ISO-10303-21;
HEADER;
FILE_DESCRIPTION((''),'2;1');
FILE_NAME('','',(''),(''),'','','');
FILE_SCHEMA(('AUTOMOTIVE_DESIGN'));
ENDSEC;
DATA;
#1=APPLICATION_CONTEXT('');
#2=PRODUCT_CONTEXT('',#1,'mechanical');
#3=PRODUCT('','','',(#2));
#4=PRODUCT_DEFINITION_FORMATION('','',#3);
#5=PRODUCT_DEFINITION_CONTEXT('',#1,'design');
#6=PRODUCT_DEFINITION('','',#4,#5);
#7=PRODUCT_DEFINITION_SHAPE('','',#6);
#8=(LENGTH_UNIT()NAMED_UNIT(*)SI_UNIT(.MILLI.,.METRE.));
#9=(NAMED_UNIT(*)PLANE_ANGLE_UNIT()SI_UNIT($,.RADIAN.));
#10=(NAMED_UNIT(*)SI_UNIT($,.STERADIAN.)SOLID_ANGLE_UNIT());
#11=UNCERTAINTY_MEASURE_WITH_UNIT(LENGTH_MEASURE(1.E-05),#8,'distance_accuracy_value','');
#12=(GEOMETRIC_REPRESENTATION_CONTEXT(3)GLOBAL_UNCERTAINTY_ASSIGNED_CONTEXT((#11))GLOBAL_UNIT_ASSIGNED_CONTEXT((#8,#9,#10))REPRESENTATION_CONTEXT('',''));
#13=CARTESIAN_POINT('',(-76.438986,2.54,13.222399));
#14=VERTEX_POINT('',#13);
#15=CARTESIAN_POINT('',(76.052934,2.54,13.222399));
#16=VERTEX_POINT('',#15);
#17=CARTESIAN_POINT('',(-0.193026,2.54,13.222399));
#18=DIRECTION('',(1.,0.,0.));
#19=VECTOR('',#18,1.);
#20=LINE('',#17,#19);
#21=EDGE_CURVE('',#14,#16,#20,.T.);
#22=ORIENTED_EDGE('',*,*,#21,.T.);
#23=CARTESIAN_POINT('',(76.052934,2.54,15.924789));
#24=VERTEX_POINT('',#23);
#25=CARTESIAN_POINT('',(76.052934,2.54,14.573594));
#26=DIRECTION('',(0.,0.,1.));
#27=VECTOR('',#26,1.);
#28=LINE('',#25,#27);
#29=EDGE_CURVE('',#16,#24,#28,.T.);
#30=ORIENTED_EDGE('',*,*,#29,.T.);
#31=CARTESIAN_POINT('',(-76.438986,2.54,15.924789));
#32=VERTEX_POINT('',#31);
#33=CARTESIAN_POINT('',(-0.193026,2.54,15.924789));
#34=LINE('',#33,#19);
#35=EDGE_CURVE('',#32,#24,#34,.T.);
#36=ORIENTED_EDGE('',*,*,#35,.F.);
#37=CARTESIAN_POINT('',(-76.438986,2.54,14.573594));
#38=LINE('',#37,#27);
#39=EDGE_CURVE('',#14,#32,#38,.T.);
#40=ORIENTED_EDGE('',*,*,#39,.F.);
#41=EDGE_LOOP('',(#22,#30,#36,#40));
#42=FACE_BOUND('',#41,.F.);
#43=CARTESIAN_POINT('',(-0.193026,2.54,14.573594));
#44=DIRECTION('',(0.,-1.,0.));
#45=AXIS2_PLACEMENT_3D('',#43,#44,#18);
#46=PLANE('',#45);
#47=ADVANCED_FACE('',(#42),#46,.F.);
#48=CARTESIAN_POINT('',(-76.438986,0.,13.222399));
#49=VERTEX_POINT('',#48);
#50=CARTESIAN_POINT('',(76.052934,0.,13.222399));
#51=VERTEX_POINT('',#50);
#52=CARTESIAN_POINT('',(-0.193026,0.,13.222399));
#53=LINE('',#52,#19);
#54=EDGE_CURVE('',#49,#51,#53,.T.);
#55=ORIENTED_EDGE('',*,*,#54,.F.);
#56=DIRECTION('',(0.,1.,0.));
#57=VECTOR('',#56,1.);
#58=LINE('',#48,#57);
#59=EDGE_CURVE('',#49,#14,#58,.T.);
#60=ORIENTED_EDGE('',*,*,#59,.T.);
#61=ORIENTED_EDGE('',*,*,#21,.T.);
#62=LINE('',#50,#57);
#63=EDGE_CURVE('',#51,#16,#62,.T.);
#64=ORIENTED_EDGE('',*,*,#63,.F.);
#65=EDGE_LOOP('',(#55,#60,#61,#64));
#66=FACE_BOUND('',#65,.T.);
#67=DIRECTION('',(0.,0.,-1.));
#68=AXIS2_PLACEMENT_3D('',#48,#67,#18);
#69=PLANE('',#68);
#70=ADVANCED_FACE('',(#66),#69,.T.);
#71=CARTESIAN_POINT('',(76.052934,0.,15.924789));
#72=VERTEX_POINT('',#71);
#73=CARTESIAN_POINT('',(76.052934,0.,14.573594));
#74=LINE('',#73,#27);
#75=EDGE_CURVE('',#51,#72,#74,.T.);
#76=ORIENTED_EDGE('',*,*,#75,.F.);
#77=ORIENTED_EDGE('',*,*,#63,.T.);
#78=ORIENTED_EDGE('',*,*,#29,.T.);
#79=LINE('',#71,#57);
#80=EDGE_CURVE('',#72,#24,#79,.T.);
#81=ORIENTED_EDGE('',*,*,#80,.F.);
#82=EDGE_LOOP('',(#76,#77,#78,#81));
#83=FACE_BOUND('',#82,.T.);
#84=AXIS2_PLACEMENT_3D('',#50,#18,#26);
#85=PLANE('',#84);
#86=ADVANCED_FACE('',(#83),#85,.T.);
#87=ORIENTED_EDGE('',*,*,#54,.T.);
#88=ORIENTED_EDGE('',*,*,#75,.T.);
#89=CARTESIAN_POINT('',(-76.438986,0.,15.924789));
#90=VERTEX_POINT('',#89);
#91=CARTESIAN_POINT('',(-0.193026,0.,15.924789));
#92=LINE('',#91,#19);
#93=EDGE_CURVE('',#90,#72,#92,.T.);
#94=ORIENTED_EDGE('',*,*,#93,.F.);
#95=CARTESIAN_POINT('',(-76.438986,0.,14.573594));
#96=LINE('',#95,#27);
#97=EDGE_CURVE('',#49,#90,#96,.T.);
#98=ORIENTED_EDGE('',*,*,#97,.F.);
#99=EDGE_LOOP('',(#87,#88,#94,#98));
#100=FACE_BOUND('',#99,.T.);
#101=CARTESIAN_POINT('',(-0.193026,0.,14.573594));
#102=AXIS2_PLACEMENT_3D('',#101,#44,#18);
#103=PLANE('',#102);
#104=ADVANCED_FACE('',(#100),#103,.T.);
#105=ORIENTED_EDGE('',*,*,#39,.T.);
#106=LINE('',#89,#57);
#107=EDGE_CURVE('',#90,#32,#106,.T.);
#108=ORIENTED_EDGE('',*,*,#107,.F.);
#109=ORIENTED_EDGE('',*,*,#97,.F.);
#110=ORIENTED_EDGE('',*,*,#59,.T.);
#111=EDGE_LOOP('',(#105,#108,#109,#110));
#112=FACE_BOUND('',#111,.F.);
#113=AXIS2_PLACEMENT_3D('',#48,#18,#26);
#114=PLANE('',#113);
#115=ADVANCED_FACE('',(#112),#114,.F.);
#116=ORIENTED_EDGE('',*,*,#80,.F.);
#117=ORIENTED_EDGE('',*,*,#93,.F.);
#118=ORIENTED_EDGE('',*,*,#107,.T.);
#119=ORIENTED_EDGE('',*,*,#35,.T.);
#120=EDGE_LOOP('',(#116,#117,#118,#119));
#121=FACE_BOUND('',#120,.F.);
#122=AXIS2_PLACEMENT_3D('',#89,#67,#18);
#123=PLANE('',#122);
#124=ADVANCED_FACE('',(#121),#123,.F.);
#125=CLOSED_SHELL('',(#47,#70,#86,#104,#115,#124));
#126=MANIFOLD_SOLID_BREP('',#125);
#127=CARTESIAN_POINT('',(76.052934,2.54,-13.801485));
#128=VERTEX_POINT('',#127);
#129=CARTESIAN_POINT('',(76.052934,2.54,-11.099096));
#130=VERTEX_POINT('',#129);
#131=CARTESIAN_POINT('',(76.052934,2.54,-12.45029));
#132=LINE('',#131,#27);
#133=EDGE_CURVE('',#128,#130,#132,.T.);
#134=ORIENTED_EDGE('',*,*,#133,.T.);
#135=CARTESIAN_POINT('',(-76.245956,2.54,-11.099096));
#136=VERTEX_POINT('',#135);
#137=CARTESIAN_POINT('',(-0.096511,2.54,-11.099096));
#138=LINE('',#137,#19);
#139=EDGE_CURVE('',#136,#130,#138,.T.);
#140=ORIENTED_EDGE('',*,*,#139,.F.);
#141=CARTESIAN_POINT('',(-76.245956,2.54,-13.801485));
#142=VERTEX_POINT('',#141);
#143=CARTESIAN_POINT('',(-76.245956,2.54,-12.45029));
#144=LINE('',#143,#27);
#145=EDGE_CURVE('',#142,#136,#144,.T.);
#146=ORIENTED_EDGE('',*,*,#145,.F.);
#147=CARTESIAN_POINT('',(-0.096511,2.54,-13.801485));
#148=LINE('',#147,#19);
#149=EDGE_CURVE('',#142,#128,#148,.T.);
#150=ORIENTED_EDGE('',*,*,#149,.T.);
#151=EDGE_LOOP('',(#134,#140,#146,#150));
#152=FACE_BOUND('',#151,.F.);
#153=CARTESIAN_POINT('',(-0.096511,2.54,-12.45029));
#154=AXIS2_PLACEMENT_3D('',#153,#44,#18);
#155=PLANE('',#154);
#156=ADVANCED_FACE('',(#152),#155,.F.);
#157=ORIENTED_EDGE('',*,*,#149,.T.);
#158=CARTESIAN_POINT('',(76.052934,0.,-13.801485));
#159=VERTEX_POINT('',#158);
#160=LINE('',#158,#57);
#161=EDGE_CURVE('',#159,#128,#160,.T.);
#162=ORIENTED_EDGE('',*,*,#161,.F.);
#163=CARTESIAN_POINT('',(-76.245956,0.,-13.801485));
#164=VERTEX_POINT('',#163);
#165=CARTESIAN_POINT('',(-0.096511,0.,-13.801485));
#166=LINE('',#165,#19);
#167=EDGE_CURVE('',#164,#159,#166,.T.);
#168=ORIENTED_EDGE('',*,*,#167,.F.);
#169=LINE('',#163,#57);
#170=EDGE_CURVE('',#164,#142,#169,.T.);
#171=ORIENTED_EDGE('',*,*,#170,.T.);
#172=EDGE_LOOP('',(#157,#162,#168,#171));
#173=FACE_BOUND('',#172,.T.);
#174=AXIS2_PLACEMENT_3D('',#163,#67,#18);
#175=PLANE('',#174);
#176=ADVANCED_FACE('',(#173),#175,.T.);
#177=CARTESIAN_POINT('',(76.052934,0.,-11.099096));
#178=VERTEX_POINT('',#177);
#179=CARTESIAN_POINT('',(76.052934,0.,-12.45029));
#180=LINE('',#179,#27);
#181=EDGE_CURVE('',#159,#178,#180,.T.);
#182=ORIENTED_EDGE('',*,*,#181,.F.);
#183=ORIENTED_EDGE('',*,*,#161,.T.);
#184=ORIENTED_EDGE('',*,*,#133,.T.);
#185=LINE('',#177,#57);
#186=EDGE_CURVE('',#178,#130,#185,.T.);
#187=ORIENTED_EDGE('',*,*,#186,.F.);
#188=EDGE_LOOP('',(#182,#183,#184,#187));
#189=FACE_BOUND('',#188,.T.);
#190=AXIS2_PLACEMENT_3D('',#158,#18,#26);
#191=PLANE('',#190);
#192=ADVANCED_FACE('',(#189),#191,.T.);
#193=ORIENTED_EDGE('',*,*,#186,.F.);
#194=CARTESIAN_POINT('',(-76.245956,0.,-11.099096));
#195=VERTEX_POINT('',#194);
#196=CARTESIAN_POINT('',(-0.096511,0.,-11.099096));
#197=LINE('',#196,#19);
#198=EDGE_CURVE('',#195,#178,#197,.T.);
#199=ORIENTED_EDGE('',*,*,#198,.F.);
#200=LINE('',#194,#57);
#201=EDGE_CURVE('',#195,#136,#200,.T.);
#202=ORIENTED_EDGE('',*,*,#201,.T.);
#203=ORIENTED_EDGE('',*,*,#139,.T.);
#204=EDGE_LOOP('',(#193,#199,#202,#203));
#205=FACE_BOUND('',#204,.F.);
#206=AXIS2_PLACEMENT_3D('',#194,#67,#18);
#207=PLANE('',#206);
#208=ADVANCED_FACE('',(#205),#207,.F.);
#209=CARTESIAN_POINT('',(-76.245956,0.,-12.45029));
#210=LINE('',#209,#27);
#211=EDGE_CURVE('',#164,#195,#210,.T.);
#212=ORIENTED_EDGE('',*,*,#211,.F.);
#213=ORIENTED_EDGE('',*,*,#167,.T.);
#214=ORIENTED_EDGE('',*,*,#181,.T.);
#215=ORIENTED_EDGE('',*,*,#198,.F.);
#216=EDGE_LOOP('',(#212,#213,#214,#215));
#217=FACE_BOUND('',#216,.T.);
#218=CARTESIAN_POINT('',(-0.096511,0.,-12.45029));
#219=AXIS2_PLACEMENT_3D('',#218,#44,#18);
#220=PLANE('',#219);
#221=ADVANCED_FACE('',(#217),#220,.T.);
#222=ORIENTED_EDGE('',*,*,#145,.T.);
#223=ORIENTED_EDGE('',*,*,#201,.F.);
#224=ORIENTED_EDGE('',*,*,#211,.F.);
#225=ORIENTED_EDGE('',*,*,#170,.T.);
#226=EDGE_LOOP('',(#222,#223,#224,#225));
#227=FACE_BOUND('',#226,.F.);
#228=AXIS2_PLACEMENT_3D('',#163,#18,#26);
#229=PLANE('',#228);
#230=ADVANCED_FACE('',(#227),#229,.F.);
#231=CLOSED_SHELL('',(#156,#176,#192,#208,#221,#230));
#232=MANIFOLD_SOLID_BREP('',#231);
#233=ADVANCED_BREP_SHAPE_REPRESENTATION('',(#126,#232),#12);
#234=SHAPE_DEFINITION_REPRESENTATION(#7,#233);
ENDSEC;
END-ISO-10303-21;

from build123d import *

# Parameters (mm, degrees)
F0_W     = 152.49192
F0_H     = 2.702389
F1_DEPTH = 2.54
F0_W_2   = 152.29889
F2_DEPTH = 2.54


with BuildPart() as f1:
    # F0 (on Front) → F1 (new body)
    with BuildSketch(Plane.XZ):
        with Locations((-0.193026, 14.573594)):
            Rectangle(F0_W, F0_H)
    extrude(amount=-F1_DEPTH)

    # F0 (on Front) → F2 (join)
    with BuildSketch(Plane.XZ):
        with Locations((-0.096511, -12.45029)):
            Rectangle(F0_W_2, F0_H)
        with Locations((-0.193026, 14.573594)):
            Rectangle(F0_W, F0_H)
    extrude(amount=-F2_DEPTH)


solid = f1.part
